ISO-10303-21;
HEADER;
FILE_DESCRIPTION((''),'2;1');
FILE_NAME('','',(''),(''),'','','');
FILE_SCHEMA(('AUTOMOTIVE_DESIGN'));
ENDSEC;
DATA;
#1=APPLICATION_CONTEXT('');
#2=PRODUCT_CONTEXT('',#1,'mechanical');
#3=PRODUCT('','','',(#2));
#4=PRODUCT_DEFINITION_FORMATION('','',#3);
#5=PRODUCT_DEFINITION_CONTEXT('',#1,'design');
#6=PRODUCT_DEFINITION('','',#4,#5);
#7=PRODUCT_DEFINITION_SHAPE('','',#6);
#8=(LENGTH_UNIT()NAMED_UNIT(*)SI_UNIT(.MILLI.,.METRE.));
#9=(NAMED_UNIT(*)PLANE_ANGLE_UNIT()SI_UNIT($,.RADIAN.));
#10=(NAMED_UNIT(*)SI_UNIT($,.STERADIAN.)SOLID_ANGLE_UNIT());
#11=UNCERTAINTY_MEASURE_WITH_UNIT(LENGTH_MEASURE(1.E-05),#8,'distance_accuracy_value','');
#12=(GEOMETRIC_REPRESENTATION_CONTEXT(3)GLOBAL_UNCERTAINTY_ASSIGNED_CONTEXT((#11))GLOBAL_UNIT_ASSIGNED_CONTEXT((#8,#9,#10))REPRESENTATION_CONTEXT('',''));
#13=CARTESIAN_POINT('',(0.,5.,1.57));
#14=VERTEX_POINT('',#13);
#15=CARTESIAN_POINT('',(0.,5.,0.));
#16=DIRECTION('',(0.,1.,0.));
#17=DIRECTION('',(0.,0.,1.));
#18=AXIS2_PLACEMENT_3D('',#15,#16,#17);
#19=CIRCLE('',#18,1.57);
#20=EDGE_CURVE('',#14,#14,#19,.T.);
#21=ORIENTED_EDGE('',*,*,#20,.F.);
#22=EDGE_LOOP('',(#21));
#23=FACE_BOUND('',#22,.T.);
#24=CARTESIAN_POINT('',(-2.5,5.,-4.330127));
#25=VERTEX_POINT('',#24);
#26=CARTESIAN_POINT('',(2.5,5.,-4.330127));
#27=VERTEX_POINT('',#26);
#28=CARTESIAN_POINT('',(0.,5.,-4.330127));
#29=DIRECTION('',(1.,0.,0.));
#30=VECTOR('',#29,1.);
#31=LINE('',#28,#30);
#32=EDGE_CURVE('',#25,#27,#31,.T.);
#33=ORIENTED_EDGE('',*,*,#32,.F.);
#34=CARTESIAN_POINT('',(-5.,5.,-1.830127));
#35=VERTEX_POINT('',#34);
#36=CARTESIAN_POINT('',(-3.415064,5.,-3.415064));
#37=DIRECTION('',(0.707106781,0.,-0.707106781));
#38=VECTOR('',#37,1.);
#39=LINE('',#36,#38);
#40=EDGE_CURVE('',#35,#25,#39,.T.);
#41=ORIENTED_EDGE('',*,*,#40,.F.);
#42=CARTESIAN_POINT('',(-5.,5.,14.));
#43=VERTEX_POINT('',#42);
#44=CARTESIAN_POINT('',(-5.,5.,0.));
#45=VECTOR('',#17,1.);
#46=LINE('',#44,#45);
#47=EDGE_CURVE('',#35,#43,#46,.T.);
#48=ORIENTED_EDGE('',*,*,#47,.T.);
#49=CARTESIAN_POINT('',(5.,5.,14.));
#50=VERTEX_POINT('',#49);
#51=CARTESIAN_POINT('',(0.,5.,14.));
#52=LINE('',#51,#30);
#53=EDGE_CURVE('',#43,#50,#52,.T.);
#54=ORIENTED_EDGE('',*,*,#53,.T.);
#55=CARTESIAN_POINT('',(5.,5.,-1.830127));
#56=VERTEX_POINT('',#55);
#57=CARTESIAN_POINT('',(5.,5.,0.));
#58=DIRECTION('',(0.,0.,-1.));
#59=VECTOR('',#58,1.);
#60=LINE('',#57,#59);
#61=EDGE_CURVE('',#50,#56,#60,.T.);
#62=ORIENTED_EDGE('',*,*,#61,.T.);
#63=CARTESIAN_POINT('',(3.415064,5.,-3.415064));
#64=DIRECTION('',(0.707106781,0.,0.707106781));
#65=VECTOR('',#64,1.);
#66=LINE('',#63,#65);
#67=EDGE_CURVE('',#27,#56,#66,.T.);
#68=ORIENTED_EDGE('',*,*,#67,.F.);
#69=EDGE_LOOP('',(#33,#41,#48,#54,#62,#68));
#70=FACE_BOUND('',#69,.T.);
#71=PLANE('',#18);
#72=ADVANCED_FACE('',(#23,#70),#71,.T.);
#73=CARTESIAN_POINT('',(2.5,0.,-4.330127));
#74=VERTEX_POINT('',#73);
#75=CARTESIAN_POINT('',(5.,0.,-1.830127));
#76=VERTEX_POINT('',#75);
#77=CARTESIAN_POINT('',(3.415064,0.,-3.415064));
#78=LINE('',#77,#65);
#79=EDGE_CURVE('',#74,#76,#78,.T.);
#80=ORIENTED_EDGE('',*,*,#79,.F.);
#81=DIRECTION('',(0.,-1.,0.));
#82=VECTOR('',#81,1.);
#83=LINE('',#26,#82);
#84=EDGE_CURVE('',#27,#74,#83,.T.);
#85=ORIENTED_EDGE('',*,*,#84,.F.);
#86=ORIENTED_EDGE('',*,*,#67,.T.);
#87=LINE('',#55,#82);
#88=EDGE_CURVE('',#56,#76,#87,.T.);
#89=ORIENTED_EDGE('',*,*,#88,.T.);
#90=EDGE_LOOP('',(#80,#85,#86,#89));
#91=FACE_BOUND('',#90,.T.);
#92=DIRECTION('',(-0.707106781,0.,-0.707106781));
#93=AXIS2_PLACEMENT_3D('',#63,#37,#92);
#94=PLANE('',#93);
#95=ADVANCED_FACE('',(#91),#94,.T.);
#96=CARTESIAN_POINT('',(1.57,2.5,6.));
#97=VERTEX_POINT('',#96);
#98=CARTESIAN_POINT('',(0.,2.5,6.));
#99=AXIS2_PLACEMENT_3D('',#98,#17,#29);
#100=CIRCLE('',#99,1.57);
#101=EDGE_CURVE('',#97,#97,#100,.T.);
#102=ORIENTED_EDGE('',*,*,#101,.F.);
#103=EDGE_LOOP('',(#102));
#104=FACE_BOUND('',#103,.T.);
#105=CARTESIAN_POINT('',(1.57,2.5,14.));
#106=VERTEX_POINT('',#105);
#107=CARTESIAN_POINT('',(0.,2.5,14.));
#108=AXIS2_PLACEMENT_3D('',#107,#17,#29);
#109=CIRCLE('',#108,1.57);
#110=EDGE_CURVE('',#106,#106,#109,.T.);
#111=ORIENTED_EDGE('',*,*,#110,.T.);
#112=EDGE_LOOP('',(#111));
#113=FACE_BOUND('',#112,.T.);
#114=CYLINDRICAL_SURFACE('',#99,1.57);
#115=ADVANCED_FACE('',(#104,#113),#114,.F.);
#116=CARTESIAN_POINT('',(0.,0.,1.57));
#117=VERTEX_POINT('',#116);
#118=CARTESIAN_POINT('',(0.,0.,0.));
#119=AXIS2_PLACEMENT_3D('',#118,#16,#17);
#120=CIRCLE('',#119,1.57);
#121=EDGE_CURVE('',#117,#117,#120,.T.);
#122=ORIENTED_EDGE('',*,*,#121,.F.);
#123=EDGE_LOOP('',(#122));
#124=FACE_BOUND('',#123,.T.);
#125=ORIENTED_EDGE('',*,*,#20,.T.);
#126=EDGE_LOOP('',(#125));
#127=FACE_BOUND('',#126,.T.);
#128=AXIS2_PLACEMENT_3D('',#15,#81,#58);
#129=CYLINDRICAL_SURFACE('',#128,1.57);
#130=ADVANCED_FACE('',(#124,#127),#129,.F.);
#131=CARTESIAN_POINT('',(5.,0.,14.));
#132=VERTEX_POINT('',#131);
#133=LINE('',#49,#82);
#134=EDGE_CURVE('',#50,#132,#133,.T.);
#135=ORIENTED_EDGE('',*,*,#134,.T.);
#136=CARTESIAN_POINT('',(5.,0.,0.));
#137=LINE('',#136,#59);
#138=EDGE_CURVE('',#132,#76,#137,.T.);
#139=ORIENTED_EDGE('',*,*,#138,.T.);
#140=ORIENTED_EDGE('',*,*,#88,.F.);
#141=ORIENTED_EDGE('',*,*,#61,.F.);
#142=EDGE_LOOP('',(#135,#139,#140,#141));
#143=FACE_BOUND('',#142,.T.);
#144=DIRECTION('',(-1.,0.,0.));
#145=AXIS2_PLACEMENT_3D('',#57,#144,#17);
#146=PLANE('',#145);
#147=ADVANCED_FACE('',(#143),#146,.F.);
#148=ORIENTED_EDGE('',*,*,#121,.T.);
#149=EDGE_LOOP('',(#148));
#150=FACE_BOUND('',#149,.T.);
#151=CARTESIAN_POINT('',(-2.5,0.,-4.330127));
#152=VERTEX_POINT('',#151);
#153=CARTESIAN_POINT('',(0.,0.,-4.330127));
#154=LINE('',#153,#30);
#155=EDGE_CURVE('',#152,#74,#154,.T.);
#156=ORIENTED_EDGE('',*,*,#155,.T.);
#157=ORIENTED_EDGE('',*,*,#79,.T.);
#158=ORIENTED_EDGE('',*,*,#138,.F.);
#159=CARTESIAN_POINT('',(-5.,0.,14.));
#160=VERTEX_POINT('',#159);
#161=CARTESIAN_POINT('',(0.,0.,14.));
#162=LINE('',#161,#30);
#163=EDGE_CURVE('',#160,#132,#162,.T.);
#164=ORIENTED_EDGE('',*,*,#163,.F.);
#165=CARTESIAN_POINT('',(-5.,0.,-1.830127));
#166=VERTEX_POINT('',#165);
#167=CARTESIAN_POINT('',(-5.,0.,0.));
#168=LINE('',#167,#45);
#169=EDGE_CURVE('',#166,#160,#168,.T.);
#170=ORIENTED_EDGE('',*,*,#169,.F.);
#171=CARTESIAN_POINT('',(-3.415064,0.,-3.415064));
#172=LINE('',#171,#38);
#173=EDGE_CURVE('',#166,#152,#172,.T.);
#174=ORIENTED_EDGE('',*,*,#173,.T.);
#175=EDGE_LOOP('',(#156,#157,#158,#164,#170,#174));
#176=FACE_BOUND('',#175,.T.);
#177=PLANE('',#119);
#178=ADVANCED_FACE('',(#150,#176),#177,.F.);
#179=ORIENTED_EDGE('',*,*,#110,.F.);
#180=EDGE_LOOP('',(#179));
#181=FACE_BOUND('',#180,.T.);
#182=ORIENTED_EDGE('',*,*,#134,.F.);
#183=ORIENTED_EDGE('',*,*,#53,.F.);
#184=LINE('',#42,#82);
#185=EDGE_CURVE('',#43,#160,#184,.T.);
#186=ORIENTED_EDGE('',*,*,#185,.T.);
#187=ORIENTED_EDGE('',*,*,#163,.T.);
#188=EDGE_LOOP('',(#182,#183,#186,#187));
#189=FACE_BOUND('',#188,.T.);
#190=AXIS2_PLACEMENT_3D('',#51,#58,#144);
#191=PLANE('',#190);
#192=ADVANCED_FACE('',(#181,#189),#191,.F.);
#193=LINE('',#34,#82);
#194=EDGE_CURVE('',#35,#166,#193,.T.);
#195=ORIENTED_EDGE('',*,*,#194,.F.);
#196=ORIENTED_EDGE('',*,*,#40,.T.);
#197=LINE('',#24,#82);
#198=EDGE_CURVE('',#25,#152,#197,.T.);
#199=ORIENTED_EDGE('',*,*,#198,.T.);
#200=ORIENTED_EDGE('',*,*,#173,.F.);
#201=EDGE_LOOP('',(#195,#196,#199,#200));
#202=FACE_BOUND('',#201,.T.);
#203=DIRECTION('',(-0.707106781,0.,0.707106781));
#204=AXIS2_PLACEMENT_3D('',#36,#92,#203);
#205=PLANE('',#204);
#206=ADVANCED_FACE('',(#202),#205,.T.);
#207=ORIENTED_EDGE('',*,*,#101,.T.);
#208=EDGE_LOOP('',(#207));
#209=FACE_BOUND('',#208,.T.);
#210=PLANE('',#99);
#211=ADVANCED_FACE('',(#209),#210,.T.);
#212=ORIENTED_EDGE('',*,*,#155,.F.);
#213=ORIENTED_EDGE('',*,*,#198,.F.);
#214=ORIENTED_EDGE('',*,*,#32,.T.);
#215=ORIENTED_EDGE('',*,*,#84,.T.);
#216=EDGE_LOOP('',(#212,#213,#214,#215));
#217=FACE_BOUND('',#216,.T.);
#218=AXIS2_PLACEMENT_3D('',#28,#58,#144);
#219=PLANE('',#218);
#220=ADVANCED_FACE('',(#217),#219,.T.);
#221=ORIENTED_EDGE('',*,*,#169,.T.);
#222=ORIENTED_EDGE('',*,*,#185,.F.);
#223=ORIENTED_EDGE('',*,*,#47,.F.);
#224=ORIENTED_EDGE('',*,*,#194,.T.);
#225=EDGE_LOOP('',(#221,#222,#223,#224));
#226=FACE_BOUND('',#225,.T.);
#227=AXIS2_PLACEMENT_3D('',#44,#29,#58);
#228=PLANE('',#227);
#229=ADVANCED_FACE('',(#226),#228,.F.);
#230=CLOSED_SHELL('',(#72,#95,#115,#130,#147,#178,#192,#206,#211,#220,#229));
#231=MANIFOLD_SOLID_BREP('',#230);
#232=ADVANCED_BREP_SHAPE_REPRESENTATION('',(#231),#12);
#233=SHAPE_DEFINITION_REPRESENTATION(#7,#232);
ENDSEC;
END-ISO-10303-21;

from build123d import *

# Parameters (mm, degrees)
SKETCH2_R           = 1.57
BOSS_EXTRUDE1_DEPTH = 5
SKETCH3_R           = 1.57
CUT_EXTRUDE1_DEPTH  = 8


with BuildPart() as part:
    # Sketch2 → Boss-Extrude1 (new body)
    with BuildSketch(Plane(origin=(0, 0, 0), x_dir=(1, 0, 0), z_dir=(0, 1, 0))):
        Polygon((-5, 1.830127019), (-5, 0), (-5, -14), (5, -14), (5, 0), (5, 1.830127019), (2.5, 4.330127019), (-2.5, 4.330127019), align=None)
        Circle(SKETCH2_R, mode=Mode.SUBTRACT)
    extrude(amount=BOSS_EXTRUDE1_DEPTH)

    # Sketch3 → Cut-Extrude1 (cut)
    with BuildSketch(Plane.XY.offset(14)):
        with Locations((0, 2.5)):
            Circle(SKETCH3_R)
    extrude(amount=-CUT_EXTRUDE1_DEPTH, mode=Mode.SUBTRACT)


solid = part.part
